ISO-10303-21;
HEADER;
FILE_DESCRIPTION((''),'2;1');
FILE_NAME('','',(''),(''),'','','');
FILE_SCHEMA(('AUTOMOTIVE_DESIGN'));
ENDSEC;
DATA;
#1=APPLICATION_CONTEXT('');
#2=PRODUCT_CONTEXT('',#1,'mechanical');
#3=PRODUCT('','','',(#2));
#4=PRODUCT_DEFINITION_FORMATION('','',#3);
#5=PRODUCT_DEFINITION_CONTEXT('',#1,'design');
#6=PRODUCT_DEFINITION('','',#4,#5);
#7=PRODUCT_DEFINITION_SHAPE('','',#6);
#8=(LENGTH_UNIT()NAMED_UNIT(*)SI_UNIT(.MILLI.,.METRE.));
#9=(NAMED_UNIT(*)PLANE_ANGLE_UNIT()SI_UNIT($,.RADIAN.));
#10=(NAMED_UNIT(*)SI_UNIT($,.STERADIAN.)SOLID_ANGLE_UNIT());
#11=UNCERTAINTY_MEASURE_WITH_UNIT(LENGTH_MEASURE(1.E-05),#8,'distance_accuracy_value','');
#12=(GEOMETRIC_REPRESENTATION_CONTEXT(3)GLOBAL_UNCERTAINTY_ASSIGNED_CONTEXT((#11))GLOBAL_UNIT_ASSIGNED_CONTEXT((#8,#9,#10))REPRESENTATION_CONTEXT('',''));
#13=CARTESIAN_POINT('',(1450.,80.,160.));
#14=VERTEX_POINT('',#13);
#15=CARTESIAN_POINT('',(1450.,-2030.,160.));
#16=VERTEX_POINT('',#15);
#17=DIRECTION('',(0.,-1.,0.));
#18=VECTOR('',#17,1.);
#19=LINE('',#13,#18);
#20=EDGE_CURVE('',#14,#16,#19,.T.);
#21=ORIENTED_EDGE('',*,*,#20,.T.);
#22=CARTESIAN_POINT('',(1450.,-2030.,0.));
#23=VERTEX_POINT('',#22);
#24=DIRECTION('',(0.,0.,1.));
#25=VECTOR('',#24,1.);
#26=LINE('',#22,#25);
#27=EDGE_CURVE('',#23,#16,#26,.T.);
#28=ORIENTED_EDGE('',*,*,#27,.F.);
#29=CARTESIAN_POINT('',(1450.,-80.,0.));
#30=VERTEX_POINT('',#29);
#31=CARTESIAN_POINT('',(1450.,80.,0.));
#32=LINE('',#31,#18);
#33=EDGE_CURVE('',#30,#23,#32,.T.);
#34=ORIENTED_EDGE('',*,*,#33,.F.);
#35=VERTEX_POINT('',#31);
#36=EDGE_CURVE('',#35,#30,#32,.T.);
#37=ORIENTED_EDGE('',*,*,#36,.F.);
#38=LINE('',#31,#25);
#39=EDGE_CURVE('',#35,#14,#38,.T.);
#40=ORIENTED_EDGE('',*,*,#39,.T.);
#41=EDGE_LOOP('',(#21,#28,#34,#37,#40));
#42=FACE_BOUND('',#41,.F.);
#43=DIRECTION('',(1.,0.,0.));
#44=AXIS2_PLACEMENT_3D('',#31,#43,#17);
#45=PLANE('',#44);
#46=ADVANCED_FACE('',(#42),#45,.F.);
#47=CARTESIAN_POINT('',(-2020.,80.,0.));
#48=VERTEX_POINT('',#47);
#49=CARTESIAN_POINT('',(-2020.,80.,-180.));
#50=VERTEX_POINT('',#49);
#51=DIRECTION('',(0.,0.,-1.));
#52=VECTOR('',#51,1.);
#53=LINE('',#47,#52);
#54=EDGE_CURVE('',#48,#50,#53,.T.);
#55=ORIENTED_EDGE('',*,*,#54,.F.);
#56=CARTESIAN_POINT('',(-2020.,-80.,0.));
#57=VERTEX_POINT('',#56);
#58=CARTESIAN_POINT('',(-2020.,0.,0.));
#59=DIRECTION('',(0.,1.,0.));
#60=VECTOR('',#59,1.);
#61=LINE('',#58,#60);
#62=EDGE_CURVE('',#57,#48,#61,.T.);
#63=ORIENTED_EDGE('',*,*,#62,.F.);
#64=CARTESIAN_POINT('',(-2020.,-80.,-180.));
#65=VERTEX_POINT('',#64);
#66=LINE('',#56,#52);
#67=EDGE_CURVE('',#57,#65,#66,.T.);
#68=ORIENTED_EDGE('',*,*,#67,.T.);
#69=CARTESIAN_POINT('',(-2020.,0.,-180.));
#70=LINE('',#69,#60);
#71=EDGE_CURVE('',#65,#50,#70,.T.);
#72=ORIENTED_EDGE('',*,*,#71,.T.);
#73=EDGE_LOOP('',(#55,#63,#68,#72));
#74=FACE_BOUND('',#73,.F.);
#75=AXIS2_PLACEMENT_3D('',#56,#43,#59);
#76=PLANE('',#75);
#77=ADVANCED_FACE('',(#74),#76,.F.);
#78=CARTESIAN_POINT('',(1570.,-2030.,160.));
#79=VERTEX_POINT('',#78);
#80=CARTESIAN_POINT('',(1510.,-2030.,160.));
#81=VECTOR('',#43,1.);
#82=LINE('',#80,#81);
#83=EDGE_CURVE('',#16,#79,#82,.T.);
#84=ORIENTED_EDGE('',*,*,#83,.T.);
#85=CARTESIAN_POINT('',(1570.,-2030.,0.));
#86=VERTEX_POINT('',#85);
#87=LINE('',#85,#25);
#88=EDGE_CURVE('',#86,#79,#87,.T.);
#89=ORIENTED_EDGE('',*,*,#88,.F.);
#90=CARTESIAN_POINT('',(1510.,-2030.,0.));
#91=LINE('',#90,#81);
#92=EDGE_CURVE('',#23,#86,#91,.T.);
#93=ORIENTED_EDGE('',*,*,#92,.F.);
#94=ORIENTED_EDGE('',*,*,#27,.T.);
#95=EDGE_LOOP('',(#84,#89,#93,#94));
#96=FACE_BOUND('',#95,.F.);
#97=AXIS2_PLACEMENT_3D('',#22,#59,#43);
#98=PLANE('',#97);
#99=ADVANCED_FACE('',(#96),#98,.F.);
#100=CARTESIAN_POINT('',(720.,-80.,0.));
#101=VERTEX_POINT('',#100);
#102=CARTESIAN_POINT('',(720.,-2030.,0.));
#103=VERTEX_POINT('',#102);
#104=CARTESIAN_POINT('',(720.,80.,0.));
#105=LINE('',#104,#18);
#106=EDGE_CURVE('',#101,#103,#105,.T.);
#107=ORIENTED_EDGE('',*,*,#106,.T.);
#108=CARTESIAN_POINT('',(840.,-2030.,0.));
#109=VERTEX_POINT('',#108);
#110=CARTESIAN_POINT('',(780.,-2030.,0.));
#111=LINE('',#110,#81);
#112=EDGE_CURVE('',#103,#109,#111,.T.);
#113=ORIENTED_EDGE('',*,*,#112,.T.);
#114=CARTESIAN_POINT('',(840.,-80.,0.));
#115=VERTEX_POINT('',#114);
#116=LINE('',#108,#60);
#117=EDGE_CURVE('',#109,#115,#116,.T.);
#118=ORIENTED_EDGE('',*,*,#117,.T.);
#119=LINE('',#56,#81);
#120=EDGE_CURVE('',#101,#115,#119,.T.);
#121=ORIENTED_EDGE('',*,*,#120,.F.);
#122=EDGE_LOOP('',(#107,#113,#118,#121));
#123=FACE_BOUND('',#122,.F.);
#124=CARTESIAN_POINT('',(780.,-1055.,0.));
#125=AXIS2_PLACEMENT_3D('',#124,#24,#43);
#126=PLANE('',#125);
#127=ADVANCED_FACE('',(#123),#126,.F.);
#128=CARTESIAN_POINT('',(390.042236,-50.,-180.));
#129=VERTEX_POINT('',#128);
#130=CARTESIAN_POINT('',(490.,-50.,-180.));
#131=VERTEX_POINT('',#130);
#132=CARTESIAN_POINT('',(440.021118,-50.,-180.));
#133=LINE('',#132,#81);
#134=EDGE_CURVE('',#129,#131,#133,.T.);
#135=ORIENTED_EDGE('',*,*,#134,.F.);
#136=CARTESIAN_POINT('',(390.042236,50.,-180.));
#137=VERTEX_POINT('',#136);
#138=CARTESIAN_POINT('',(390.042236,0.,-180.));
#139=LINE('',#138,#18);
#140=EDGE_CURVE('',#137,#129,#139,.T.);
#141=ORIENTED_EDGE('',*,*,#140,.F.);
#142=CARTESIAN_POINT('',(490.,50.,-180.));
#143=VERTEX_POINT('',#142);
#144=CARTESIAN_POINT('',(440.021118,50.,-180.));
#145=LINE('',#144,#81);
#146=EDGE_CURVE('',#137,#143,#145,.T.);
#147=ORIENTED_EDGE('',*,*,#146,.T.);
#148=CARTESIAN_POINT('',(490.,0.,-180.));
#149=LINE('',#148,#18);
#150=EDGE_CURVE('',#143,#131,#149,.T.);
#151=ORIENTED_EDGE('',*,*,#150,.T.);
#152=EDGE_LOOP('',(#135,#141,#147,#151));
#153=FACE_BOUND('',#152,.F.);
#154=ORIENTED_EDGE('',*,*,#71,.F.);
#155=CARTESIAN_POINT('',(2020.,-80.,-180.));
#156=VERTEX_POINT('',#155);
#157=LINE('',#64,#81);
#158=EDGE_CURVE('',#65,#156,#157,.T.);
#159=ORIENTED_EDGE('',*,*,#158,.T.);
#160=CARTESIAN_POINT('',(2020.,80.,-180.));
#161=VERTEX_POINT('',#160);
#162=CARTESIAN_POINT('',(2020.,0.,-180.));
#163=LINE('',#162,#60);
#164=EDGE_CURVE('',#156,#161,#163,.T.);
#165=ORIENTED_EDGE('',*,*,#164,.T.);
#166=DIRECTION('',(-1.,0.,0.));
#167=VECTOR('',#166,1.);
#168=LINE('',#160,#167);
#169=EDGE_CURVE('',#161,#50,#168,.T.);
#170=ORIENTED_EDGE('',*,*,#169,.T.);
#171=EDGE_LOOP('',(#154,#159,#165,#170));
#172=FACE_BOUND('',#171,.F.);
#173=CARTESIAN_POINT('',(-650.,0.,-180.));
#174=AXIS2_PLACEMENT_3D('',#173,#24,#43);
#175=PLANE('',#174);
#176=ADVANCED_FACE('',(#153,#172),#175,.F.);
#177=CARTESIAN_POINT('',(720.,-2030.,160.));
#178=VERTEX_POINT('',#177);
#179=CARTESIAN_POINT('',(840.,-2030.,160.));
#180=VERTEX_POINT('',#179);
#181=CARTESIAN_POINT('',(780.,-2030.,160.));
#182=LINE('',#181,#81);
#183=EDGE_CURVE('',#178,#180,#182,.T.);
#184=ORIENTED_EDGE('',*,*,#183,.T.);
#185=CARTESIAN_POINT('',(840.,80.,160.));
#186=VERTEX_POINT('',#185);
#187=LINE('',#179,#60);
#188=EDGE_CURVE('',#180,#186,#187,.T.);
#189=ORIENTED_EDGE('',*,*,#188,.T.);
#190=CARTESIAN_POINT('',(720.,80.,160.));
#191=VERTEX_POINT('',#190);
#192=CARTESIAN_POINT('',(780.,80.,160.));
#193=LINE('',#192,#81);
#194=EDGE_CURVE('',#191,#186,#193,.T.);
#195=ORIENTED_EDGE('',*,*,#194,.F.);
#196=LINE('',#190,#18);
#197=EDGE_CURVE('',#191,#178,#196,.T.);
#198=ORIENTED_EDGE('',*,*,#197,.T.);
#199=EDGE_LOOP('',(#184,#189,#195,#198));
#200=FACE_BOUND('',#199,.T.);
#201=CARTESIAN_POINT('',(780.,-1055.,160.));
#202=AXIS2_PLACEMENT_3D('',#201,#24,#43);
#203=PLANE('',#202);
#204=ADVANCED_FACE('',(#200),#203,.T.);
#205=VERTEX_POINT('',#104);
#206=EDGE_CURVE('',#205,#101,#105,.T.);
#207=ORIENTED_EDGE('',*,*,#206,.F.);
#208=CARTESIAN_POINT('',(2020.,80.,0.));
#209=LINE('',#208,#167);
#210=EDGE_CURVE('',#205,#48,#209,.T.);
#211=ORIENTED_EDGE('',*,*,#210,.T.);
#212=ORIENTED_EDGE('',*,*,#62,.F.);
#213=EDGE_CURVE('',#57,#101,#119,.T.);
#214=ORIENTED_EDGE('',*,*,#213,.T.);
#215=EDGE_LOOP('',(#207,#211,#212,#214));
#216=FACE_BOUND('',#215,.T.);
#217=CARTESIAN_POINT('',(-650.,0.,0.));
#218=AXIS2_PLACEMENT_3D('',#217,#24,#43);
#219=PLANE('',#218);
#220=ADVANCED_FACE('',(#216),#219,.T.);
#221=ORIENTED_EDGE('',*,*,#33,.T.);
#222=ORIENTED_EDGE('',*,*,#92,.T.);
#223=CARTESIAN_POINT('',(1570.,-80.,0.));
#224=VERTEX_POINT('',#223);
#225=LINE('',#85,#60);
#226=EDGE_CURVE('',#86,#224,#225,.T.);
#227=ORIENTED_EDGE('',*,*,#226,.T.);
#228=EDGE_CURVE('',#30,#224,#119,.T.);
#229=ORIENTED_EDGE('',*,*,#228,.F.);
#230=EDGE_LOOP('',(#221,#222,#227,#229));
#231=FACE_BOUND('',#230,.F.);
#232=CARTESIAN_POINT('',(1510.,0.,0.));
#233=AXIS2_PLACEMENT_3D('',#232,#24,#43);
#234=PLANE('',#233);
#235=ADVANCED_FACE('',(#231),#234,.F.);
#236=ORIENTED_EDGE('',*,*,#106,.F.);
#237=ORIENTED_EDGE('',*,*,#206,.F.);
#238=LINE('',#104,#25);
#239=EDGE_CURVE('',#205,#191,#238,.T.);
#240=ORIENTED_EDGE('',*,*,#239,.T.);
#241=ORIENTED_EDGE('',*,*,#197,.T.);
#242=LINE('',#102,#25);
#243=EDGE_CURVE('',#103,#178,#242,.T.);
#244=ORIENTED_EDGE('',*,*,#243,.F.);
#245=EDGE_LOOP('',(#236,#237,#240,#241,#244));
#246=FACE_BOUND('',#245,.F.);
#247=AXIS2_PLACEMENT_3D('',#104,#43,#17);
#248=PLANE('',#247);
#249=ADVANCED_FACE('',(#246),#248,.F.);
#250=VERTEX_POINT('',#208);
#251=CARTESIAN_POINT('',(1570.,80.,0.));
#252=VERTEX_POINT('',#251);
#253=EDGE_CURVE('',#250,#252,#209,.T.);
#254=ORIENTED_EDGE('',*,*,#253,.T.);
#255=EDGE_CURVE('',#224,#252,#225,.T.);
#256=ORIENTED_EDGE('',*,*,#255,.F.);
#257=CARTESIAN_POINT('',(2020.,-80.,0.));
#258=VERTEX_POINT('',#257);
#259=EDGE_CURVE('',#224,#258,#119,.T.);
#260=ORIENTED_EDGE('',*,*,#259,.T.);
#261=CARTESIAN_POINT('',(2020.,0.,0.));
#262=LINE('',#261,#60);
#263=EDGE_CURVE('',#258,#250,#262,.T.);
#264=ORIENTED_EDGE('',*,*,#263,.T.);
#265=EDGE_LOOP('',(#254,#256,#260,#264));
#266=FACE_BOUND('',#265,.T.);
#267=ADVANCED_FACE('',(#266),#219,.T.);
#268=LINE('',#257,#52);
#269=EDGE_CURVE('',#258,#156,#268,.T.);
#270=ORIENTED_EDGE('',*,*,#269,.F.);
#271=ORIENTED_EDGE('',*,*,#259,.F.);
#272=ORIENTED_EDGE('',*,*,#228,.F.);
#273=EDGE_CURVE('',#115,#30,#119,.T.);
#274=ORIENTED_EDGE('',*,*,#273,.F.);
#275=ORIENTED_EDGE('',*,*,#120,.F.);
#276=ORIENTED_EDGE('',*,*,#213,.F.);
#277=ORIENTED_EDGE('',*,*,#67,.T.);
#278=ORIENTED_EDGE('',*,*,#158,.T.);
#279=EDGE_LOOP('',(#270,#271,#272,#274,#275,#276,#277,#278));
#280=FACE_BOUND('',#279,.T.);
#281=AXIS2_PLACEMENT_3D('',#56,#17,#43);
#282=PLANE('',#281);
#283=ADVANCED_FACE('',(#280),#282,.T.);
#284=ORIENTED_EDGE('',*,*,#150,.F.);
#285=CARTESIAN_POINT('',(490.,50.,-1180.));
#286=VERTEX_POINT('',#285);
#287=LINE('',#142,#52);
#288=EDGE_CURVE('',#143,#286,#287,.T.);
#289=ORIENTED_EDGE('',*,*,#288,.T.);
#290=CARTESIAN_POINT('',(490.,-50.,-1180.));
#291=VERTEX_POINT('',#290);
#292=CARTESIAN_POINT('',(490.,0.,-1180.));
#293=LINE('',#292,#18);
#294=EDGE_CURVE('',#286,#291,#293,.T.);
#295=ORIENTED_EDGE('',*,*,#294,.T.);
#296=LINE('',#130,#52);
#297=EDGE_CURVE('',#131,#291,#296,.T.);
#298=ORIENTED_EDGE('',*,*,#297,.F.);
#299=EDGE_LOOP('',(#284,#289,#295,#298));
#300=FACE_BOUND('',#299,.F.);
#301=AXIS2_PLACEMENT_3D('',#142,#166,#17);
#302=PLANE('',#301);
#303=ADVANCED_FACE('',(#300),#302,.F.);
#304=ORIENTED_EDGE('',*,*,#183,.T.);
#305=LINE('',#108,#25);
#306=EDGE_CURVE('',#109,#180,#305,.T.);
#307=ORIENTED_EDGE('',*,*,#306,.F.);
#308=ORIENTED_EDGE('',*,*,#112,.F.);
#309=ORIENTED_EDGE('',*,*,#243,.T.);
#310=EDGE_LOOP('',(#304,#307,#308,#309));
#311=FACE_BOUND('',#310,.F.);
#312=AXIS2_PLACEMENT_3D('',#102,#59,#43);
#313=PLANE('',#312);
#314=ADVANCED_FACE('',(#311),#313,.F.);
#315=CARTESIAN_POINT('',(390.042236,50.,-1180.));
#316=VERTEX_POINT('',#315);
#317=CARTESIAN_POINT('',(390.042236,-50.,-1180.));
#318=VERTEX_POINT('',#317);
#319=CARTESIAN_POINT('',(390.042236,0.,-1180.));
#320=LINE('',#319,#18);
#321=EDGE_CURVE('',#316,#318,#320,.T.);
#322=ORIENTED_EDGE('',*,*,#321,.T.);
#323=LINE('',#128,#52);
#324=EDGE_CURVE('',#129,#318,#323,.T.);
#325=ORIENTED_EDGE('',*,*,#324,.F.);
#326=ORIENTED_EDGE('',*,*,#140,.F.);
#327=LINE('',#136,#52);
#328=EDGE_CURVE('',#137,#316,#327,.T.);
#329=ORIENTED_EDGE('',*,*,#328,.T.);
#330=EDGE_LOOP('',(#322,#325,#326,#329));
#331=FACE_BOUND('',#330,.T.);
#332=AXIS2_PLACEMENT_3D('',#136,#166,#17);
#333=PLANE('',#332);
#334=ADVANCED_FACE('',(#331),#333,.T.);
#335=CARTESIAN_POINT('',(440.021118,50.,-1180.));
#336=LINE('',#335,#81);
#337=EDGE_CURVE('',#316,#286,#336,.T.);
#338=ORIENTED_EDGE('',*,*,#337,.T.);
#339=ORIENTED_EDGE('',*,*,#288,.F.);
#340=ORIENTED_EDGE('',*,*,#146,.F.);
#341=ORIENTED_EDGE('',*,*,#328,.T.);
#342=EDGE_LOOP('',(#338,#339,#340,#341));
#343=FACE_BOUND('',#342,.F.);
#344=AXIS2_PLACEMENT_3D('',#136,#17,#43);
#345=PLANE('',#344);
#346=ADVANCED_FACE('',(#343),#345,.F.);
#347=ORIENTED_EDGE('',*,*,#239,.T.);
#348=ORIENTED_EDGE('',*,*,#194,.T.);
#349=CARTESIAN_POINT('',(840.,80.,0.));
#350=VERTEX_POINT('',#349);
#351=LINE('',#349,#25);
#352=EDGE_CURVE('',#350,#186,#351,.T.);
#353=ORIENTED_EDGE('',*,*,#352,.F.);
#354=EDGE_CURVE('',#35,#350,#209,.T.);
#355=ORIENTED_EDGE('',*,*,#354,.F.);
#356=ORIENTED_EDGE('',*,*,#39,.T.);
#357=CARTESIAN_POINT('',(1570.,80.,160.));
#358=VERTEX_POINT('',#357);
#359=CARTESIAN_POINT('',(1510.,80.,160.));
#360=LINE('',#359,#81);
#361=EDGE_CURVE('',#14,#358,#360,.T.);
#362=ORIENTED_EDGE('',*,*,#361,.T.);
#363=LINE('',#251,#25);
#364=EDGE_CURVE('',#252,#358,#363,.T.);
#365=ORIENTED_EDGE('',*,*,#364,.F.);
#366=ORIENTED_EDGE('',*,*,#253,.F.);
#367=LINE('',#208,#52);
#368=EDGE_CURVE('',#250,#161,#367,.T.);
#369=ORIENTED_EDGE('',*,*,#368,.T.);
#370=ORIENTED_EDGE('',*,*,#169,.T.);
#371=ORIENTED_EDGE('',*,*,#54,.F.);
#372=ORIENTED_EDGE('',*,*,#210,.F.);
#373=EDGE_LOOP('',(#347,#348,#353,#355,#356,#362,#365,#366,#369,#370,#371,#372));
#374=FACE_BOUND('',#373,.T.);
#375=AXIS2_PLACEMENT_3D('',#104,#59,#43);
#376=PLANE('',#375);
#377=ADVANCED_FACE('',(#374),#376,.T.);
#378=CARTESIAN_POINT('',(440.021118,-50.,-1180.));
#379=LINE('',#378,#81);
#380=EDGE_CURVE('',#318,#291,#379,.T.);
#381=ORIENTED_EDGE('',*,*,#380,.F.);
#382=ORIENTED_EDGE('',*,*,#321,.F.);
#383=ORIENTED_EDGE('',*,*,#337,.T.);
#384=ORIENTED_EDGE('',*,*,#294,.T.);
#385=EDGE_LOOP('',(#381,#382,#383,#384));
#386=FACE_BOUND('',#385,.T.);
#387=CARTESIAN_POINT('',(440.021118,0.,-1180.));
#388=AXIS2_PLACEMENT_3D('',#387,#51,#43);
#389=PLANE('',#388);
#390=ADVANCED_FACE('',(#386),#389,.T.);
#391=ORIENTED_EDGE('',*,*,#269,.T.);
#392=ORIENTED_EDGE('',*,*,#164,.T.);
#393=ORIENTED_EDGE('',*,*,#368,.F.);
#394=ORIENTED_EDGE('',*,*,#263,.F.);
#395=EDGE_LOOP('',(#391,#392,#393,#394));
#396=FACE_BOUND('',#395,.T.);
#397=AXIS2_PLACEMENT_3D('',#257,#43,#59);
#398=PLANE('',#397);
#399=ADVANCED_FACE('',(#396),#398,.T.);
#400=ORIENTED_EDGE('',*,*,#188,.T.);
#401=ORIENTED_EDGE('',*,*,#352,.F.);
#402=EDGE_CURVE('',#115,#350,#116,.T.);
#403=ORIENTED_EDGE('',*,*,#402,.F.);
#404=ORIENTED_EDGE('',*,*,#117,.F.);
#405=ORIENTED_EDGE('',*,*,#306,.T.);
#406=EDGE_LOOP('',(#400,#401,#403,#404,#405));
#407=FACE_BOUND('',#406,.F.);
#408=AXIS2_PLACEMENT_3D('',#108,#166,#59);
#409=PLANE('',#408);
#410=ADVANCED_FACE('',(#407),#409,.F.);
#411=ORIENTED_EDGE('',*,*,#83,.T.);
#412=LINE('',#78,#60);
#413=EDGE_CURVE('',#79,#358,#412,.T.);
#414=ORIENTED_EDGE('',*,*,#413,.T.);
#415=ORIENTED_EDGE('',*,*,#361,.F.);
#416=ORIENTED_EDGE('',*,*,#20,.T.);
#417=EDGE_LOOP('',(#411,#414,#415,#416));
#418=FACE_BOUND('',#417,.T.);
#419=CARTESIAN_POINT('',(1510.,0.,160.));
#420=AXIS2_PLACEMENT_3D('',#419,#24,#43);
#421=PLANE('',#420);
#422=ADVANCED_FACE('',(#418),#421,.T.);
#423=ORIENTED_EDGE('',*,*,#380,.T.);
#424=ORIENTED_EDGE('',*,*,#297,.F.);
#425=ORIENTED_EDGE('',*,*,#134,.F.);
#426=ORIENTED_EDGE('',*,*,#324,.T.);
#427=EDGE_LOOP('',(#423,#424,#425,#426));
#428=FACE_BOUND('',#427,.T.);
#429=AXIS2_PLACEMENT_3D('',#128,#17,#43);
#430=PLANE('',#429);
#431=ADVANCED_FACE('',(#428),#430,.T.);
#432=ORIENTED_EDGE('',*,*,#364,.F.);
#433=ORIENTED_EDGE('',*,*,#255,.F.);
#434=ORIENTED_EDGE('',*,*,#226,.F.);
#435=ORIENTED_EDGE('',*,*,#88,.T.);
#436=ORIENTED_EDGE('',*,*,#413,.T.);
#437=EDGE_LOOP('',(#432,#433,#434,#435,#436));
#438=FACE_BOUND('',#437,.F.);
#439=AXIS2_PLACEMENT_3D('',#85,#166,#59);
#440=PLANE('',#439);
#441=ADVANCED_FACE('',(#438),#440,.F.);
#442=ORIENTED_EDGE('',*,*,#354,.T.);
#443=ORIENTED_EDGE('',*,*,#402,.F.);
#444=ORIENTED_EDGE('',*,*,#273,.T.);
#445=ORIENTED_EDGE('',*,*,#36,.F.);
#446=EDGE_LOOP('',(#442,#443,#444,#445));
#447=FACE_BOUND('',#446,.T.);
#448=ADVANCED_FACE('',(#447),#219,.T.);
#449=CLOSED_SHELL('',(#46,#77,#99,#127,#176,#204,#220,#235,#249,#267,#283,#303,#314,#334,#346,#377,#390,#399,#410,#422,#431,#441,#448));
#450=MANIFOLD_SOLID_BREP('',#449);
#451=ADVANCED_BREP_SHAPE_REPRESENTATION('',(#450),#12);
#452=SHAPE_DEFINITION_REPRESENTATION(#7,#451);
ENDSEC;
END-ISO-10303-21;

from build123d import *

# Parameters (mm, degrees)
F0_W     = 2740
F0_H     = 160
F0_W_2   = 120
F0_W_3   = 610
F0_W_4   = 450
F1_DEPTH = 180
F0_H_2   = 1950
F2_DEPTH = 160
F3_W     = 99.9577641487
F3_H     = 100
F4_DEPTH = 1000


with BuildPart() as f1:
    # F0 (on Top) → F1 (new body)
    with BuildSketch(Plane.XY):
        with Locations((-650, 0)):
            Rectangle(F0_W, F0_H)
        with Locations((780, 0)):
            Rectangle(F0_W_2, F0_H)
        with Locations((1145, 0)):
            Rectangle(F0_W_3, F0_H)
        with Locations((1510, 0)):
            Rectangle(F0_W_2, F0_H)
        with Locations((1795, 0)):
            Rectangle(F0_W_4, F0_H)
    extrude(amount=-F1_DEPTH)

    # F0 (on Top) → F2 (join)
    with BuildSketch(Plane.XY):
        with Locations((780, -1055)):
            Rectangle(F0_W_2, F0_H_2)
        with Locations((780, 0)):
            Rectangle(F0_W_2, F0_H)
        with Locations((1510, 0)):
            Rectangle(F0_W_2, F0_H)
        with Locations((1510, -1055)):
            Rectangle(F0_W_2, F0_H_2)
    extrude(amount=F2_DEPTH)

    # F3 (on face) → F4 (join)
    with BuildSketch(Plane(origin=(0, 0, -180), x_dir=(1, 0, 0), z_dir=(0, 0, -1))):
        with Locations((440.0211179256, 0)):
            Rectangle(F3_W, F3_H)
    extrude(amount=F4_DEPTH)


solid = f1.part
